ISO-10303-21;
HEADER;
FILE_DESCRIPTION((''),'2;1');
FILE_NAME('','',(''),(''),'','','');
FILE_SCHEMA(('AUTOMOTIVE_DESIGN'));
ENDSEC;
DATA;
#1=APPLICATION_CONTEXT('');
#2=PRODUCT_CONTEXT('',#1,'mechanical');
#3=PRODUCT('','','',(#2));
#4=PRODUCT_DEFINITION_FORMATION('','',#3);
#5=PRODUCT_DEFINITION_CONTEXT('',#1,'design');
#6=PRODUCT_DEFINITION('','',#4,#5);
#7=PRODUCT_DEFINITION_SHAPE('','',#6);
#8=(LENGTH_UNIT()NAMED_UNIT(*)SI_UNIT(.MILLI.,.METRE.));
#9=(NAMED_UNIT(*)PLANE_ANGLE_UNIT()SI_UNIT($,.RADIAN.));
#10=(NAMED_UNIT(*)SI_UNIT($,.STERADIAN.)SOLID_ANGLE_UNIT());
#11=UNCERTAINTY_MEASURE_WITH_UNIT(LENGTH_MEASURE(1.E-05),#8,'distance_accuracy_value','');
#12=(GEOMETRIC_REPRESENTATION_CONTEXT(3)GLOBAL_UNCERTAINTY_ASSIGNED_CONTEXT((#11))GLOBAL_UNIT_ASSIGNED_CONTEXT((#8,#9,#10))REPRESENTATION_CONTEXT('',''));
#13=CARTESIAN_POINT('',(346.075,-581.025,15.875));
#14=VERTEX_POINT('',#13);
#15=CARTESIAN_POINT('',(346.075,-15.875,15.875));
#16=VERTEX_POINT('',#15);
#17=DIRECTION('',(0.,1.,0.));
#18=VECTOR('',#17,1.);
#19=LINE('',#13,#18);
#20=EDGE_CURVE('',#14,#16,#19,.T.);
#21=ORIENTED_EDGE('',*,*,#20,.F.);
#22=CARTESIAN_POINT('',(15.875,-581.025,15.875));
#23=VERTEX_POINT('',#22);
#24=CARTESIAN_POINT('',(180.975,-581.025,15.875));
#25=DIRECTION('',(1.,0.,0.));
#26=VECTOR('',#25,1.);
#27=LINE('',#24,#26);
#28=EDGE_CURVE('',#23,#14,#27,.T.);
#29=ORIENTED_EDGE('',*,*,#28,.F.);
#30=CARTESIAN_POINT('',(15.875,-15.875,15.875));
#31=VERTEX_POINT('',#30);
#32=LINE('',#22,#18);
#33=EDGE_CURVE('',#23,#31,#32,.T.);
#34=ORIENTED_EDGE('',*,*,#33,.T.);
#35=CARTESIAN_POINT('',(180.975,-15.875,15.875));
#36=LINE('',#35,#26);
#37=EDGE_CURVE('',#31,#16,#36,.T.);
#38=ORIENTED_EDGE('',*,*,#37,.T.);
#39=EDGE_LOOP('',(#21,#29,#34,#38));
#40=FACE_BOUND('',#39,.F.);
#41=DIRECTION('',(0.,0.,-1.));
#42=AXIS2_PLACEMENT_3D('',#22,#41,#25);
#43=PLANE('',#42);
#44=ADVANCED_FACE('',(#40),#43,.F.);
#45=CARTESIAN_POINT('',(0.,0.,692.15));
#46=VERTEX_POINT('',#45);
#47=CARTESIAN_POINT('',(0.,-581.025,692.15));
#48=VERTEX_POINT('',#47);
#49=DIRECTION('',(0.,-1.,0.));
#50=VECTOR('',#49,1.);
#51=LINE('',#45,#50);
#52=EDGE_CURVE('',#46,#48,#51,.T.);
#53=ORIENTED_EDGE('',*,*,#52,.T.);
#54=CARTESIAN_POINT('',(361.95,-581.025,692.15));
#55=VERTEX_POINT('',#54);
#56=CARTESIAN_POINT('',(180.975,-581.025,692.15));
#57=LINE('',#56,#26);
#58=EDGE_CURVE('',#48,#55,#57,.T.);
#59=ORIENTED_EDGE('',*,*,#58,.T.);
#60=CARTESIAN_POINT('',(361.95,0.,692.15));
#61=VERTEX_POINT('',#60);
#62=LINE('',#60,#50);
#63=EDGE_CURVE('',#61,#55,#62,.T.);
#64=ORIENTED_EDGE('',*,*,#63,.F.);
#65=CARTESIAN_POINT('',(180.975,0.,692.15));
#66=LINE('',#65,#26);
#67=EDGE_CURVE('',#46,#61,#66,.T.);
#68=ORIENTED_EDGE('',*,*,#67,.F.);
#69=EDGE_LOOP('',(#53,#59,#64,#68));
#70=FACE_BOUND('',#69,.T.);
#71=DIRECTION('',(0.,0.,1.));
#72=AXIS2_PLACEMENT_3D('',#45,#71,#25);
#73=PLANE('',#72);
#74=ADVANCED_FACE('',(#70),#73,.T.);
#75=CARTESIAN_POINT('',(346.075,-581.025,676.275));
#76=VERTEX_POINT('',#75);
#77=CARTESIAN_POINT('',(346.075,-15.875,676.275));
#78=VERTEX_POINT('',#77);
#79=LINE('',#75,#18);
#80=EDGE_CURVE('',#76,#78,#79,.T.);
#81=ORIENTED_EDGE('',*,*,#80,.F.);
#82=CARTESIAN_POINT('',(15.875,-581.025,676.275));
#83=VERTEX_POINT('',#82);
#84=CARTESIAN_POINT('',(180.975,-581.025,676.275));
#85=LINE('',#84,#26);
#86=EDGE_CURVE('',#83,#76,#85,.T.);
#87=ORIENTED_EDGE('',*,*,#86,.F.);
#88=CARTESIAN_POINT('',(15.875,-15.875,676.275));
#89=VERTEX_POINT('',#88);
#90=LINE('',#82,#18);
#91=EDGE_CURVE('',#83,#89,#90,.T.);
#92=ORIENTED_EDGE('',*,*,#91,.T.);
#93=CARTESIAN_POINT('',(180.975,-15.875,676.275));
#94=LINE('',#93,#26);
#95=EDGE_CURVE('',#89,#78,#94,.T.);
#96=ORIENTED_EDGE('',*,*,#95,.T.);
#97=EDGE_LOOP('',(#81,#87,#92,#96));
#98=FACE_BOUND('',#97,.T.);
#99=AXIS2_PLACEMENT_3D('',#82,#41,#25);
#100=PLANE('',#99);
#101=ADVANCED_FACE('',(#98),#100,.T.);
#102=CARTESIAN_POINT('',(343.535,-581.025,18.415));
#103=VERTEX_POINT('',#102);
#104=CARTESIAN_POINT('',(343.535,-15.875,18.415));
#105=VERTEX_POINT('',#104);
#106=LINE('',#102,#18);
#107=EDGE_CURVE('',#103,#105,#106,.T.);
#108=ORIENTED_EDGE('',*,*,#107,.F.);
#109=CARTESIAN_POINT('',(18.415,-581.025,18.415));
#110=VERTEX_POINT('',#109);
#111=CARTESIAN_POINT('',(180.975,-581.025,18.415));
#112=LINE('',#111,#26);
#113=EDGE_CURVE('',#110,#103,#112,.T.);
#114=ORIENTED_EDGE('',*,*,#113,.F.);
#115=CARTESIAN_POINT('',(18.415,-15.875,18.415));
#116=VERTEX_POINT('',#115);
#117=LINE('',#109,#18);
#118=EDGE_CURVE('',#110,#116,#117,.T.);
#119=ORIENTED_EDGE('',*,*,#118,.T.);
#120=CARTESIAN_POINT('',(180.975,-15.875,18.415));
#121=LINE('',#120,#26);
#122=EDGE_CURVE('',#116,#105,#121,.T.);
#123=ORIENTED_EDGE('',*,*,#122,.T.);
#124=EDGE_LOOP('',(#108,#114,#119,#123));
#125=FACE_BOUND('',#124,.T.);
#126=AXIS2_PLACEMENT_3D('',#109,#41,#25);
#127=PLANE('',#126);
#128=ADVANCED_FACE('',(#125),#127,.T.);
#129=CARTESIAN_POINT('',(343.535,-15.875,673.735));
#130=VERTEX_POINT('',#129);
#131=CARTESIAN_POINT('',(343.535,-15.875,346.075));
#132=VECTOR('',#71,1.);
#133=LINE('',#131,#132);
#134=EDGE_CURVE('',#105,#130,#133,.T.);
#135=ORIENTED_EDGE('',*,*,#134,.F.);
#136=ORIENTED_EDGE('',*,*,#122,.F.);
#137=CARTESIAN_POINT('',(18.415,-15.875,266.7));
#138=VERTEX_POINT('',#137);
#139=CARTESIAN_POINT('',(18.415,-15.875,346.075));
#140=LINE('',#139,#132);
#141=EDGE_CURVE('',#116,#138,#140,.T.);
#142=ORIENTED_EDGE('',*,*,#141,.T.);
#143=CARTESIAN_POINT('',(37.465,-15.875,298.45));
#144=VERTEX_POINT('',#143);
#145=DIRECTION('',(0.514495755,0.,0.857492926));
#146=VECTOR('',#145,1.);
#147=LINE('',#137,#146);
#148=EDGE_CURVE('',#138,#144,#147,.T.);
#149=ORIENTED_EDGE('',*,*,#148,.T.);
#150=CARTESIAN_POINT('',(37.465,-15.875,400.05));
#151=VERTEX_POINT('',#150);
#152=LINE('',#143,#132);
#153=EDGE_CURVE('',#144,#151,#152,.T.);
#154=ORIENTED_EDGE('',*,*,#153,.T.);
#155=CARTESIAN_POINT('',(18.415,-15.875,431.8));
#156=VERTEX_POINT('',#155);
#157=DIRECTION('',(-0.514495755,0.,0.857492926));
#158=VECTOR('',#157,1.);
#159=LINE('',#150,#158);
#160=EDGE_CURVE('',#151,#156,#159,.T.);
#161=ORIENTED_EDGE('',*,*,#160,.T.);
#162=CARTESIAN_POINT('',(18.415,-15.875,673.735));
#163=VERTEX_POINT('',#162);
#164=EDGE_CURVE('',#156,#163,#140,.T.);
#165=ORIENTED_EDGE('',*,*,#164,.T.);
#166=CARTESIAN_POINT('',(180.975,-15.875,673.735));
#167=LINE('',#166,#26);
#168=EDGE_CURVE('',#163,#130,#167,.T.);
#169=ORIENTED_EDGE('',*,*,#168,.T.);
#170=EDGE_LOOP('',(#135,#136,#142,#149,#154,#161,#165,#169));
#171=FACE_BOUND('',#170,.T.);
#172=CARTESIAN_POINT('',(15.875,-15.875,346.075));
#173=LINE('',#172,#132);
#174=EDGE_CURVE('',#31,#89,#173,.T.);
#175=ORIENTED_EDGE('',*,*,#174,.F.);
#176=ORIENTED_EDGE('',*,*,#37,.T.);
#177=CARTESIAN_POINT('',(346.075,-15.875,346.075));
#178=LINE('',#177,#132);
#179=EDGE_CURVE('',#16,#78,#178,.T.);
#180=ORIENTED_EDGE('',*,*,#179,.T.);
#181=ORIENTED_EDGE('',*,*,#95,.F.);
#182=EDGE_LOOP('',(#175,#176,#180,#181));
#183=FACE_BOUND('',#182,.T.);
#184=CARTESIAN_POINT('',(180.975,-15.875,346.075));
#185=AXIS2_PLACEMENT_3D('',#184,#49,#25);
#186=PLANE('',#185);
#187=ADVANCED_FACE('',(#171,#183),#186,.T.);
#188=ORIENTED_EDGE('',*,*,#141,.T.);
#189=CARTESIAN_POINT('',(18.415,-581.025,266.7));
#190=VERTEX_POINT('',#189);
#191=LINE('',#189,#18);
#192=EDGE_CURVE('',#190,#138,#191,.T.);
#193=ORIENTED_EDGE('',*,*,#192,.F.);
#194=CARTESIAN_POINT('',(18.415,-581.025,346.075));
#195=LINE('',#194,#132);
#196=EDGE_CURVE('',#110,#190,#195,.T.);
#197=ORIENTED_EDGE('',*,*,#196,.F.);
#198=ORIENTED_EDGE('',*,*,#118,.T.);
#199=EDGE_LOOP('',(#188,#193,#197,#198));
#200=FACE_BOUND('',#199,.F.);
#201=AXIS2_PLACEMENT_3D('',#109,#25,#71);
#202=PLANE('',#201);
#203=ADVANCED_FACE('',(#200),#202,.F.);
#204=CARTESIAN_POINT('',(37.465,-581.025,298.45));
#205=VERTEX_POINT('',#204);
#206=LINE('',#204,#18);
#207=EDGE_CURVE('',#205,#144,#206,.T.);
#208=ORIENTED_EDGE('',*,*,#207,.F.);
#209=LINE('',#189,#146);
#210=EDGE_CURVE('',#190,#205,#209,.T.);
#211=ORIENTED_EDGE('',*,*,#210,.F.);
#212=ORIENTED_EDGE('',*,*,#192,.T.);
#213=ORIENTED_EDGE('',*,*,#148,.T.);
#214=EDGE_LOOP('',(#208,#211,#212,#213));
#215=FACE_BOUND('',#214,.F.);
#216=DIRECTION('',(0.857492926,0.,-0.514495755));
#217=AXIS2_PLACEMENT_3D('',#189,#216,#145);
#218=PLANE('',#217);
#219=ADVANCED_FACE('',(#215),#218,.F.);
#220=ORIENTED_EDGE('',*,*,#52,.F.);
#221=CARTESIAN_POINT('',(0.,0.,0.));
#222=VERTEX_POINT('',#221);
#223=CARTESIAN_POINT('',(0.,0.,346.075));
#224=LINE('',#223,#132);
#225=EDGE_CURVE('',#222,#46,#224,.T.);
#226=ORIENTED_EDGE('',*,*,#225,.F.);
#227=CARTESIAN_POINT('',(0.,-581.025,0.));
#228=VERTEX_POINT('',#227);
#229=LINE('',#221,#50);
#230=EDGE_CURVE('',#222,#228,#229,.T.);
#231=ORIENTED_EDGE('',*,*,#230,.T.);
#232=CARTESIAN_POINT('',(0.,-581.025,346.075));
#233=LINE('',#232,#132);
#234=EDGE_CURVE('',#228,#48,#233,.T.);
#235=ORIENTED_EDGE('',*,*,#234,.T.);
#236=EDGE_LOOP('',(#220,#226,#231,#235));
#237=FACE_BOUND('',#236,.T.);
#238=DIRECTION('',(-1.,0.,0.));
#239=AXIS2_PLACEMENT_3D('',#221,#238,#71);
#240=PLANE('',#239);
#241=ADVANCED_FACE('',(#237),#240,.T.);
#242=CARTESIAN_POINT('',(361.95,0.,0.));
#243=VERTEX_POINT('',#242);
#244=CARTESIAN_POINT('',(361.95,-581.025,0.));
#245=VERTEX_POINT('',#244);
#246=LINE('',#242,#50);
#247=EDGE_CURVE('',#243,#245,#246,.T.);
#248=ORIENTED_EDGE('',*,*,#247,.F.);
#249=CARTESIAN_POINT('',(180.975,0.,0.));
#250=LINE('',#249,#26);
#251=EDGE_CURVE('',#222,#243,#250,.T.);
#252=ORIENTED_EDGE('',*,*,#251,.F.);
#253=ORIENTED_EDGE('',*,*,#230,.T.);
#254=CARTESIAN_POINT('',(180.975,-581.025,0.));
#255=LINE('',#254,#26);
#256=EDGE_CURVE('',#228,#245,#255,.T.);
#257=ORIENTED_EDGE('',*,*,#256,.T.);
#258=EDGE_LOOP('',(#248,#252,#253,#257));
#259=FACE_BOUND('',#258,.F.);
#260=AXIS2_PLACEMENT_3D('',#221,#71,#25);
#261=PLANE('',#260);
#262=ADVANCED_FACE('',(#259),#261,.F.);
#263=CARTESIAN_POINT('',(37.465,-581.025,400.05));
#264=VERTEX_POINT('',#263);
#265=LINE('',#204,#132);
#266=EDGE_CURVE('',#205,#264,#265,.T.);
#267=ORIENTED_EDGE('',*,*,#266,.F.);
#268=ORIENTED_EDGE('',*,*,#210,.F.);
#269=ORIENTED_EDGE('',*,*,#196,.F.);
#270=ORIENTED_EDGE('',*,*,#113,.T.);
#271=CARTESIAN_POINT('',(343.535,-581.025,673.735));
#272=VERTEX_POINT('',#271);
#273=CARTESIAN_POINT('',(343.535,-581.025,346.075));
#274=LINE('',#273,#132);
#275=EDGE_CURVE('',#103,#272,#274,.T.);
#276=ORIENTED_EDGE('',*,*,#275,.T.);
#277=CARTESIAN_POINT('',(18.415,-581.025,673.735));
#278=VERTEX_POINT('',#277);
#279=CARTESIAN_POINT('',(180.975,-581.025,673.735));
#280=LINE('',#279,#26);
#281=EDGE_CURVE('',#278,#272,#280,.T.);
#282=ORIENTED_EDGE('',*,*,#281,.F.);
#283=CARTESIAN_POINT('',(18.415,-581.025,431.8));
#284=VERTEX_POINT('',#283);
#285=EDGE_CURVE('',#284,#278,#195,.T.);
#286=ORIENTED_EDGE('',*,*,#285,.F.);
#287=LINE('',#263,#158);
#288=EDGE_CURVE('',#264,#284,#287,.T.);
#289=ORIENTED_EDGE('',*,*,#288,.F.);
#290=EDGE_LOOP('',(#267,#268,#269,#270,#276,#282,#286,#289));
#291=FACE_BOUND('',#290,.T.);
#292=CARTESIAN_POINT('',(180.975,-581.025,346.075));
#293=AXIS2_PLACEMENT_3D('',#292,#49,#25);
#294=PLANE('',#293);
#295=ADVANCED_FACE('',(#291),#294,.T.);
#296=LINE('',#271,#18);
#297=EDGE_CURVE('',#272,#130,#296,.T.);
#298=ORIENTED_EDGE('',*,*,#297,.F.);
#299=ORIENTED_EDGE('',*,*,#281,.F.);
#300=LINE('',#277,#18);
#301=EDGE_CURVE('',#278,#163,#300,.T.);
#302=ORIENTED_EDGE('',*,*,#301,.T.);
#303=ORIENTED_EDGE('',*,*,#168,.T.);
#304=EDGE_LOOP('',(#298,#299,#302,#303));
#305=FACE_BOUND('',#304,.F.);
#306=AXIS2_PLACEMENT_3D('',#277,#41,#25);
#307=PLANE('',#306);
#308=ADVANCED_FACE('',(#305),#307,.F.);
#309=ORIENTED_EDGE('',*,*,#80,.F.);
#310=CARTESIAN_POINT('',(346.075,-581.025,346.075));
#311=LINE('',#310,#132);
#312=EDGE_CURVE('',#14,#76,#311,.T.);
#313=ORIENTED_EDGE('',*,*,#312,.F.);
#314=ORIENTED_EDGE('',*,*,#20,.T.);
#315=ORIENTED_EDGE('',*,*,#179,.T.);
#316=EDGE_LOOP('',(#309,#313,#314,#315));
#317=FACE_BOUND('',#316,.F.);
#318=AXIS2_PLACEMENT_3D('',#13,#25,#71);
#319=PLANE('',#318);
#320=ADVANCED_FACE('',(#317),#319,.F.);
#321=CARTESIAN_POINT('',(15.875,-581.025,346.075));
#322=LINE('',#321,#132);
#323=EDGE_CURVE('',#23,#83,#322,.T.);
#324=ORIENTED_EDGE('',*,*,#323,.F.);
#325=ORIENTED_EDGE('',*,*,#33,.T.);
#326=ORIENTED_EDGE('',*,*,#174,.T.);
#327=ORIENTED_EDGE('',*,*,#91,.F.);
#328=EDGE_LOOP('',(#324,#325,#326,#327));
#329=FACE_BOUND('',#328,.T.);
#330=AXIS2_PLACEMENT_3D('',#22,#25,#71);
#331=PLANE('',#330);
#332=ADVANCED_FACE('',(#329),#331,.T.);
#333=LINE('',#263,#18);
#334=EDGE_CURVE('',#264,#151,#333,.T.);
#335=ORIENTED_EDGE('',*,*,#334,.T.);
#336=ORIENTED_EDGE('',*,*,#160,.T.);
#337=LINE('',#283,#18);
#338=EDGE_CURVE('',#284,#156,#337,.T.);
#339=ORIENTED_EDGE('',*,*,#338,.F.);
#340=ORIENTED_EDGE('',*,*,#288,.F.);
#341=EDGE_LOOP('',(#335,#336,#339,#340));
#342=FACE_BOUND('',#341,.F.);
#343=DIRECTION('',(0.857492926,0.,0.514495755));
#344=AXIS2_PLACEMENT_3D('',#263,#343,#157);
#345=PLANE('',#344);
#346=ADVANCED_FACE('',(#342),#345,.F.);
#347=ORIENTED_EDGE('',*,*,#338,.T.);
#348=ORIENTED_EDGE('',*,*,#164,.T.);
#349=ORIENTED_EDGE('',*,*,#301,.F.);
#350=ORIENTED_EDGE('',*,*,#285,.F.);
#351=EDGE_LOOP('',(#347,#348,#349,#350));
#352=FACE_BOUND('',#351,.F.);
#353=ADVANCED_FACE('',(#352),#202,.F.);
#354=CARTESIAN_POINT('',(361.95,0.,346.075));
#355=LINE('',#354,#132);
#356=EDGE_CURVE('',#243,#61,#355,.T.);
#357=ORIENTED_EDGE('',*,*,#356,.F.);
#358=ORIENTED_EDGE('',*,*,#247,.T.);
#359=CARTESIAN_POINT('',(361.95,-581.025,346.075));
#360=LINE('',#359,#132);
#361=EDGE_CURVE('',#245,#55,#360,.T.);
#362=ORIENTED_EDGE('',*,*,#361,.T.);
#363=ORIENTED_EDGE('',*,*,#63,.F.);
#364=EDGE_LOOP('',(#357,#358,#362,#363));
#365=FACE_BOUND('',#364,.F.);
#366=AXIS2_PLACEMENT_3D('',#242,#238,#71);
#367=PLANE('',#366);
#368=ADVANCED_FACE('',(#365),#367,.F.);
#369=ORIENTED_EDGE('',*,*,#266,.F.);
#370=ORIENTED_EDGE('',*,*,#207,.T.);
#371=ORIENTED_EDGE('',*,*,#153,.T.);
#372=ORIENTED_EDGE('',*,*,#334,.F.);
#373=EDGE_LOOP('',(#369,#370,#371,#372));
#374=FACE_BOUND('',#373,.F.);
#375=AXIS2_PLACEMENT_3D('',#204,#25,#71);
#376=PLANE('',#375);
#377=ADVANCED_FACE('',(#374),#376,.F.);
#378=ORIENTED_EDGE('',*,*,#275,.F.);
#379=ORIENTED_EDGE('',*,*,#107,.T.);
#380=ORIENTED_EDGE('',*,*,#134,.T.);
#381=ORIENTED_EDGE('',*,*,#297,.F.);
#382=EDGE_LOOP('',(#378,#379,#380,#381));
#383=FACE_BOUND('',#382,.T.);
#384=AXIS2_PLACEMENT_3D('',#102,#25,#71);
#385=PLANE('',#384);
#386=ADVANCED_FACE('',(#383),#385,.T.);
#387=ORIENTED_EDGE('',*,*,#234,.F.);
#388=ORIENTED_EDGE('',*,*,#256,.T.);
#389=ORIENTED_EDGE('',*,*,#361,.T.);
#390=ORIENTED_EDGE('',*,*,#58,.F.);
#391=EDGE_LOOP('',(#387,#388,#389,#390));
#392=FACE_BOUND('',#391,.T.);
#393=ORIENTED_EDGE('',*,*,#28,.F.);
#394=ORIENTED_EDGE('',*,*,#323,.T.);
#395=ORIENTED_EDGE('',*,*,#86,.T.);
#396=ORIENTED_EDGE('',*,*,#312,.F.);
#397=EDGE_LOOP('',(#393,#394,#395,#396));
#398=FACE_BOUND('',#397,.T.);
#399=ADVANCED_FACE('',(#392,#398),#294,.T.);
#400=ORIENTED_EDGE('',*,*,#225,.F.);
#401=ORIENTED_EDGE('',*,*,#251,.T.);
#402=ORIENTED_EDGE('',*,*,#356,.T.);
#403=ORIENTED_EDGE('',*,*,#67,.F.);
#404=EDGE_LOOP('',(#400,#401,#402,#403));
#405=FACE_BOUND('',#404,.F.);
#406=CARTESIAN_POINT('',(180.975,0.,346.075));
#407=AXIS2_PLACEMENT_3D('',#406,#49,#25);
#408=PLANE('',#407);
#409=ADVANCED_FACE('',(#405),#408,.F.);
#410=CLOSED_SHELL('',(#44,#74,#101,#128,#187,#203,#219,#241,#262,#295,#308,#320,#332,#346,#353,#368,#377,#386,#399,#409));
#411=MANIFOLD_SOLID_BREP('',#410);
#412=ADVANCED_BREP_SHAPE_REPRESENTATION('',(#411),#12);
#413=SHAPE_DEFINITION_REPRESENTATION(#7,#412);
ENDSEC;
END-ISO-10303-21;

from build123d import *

# Parameters (mm, degrees)
F0_W     = 361.95
F0_H     = 692.15
F1_DEPTH = 581.025
F2_W     = 330.2
F2_H     = 660.4
F3_DEPTH = 565.15
F4_W     = 325.12
F4_H     = 655.32
F5_DEPTH = 565.15
F7_DEPTH = 565.15


with BuildPart() as f1:
    # F0 (on Front) → F1 (new body)
    with BuildSketch(Plane.XZ):
        with Locations((180.975, 346.075)):
            Rectangle(F0_W, F0_H)
    extrude(amount=F1_DEPTH)

    # F2 (on face) → F3 (cut)
    with BuildSketch(Plane.XZ.offset(581.025)):
        with Locations((180.975, 346.075)):
            Rectangle(F2_W, F2_H)
    extrude(amount=-F3_DEPTH, mode=Mode.SUBTRACT)

    # F4 (on face) → F5 (join)
    with BuildSketch(Plane.XZ.offset(581.025)):
        with Locations((180.975, 346.075)):
            Rectangle(F4_W, F4_H)
    extrude(amount=-F5_DEPTH)

    # F6 (on face) → F7 (cut)
    with BuildSketch(Plane.XZ.offset(581.025)):
        Polygon((37.465, 400.05), (18.415, 431.8), (18.415, 266.7), (37.465, 298.45), align=None)
    extrude(amount=-F7_DEPTH, mode=Mode.SUBTRACT)


solid = f1.part
